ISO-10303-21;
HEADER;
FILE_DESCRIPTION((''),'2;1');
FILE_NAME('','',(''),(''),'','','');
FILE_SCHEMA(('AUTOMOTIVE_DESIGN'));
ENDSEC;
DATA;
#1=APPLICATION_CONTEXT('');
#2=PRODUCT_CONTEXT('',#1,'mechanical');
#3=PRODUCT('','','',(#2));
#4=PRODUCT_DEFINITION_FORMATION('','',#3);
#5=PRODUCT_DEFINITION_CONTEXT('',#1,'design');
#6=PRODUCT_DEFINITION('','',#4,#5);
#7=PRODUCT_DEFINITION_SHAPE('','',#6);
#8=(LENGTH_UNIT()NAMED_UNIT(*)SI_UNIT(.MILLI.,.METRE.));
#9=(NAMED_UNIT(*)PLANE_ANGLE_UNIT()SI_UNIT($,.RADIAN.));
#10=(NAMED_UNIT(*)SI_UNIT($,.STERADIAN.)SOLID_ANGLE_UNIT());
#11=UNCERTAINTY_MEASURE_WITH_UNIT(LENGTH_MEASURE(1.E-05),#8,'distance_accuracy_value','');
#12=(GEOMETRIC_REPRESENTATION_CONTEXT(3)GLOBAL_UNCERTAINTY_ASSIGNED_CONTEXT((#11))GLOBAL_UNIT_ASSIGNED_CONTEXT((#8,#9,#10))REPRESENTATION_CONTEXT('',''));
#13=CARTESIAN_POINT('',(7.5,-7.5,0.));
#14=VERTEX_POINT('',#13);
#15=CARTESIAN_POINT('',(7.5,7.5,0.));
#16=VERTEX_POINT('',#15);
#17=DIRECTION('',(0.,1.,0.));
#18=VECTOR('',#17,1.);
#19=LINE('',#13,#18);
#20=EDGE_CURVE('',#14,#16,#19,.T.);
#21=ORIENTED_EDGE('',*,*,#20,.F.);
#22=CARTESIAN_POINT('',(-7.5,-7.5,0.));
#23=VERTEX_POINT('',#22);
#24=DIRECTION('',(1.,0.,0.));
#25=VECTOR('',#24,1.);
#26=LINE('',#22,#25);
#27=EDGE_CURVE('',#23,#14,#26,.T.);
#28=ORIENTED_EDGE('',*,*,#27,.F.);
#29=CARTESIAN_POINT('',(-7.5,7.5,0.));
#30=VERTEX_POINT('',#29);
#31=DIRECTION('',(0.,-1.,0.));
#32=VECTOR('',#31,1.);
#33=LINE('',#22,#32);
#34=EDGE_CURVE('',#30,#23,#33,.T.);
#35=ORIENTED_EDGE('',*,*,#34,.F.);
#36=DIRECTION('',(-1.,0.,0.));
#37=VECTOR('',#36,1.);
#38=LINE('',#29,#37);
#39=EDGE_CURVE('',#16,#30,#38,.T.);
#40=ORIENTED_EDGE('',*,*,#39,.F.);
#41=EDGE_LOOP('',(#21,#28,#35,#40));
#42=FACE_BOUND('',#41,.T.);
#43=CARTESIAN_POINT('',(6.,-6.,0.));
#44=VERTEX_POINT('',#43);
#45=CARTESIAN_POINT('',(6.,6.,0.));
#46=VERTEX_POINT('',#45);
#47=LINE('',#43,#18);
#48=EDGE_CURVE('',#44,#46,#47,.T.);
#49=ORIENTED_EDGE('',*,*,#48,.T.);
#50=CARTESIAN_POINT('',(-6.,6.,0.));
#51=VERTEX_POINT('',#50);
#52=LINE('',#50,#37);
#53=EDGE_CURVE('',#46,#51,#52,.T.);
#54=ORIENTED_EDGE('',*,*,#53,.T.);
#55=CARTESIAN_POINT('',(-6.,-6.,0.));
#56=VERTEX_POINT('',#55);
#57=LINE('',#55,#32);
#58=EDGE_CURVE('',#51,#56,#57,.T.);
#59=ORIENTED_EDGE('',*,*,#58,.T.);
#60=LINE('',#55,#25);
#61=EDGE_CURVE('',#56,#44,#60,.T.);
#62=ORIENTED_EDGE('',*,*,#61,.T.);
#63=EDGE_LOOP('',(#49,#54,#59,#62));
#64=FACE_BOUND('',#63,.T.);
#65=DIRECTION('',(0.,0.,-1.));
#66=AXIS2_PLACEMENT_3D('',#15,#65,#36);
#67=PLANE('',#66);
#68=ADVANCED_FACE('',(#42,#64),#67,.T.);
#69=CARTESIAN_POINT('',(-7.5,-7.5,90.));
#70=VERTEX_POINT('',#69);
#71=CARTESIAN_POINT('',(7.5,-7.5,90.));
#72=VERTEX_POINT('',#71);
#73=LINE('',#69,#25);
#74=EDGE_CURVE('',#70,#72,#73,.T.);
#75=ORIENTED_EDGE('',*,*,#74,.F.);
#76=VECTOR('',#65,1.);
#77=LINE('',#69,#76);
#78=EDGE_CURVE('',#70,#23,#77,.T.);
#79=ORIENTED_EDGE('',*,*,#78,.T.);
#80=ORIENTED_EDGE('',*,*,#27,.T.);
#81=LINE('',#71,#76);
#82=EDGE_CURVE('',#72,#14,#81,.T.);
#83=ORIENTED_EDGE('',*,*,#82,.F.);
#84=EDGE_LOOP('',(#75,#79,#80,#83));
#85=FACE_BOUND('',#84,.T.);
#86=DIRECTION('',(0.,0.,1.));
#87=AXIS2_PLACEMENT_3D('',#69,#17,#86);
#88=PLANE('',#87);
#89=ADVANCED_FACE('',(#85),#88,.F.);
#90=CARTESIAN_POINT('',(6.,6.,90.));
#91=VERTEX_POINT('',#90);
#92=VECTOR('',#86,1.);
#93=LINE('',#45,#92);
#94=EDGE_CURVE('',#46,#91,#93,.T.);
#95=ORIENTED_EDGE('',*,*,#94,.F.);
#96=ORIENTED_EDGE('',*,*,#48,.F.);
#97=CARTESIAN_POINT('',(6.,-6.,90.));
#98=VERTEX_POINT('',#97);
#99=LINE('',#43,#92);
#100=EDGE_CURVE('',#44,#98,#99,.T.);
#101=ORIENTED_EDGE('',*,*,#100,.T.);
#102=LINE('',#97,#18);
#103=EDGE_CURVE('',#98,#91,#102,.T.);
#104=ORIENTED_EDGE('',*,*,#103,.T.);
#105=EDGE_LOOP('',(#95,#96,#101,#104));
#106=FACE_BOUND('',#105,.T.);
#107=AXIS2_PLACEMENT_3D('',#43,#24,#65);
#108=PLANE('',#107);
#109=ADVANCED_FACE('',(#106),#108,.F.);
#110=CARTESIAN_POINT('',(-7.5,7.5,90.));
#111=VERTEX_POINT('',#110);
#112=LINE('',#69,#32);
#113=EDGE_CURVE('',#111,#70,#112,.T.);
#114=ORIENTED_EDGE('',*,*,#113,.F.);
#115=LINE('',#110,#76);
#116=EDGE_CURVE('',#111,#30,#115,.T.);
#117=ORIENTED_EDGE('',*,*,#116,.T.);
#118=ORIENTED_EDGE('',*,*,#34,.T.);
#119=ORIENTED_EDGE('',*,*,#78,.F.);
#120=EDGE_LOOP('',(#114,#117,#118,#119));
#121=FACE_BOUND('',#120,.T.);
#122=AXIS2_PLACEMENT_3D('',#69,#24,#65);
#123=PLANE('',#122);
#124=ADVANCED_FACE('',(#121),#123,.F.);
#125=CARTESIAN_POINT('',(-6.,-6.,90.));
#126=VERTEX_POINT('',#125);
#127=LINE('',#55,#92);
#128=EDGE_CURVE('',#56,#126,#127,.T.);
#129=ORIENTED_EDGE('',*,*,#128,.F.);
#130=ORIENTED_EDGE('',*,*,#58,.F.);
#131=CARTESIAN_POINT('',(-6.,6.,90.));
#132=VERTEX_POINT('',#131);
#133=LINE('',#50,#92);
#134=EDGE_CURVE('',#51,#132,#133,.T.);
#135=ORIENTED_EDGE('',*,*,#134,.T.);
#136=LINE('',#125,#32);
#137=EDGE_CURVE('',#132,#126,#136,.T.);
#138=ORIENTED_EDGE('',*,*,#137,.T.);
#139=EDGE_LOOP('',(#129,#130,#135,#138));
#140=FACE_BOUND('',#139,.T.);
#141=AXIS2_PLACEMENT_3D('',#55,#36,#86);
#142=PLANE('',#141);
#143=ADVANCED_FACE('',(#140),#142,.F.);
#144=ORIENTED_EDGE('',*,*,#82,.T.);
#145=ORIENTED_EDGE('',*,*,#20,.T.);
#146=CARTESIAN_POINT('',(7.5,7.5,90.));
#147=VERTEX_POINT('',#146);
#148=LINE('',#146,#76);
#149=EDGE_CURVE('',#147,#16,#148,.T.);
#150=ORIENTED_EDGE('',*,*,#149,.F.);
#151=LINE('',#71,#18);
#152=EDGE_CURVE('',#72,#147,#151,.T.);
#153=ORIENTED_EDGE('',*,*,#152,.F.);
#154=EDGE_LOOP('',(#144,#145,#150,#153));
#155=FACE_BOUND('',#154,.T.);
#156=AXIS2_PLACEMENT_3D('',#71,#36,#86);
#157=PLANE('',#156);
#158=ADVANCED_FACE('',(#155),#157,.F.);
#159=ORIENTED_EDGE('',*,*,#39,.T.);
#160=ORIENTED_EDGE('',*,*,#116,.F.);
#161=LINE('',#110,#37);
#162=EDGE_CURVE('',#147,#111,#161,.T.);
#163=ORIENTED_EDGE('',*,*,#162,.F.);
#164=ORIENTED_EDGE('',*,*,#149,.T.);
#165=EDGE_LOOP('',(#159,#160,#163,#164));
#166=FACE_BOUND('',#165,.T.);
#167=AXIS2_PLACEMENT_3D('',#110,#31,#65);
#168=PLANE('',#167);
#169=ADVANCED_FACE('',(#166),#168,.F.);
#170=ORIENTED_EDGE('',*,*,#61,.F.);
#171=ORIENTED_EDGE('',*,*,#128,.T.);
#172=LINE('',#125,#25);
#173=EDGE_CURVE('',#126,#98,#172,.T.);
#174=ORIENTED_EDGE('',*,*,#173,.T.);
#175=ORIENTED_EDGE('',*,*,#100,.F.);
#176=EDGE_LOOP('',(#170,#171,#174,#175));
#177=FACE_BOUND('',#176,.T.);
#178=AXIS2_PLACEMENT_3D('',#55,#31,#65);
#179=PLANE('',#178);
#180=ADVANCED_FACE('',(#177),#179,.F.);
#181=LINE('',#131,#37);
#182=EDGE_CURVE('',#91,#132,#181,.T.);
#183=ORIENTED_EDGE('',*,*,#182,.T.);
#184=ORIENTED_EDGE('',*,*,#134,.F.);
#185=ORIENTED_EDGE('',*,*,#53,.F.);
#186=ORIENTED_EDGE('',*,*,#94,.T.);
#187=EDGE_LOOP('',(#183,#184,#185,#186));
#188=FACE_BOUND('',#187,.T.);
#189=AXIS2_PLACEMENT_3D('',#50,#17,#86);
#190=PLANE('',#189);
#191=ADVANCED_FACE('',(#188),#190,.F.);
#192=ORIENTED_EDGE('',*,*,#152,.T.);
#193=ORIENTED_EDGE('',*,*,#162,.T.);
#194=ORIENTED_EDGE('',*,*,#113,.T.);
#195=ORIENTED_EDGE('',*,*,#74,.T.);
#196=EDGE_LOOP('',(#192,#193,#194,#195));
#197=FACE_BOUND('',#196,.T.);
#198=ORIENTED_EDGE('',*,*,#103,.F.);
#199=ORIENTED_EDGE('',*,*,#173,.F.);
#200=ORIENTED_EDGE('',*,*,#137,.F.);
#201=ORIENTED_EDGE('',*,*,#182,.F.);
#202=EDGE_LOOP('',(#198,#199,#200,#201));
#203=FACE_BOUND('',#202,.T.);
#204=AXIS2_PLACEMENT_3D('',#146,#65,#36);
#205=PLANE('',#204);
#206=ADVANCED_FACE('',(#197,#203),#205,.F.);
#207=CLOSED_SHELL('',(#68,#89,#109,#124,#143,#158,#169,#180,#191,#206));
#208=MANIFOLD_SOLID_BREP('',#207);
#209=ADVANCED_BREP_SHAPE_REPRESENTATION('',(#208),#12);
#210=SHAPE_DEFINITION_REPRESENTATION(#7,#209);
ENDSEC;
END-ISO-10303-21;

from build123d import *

# Parameters (mm, degrees)
ESQUISSE1_W      = 15
ESQUISSE1_H      = 15
EXTRUSION1_DEPTH = 90
ESQUISSE2_W      = 12
ESQUISSE2_H      = 12
EXTRUSION2_DEPTH = 91.622844802


with BuildPart() as part:
    # Esquisse1 → Extrusion1 (new body)
    with BuildSketch(Plane.XY):
        Rectangle(ESQUISSE1_W, ESQUISSE1_H)
    extrude(amount=EXTRUSION1_DEPTH)

    # Esquisse2 → Extrusion2 (cut, through all)
    with BuildSketch(Plane.XY.offset(90)):
        Rectangle(ESQUISSE2_W, ESQUISSE2_H)
    extrude(amount=-EXTRUSION2_DEPTH, mode=Mode.SUBTRACT)


solid = part.part
